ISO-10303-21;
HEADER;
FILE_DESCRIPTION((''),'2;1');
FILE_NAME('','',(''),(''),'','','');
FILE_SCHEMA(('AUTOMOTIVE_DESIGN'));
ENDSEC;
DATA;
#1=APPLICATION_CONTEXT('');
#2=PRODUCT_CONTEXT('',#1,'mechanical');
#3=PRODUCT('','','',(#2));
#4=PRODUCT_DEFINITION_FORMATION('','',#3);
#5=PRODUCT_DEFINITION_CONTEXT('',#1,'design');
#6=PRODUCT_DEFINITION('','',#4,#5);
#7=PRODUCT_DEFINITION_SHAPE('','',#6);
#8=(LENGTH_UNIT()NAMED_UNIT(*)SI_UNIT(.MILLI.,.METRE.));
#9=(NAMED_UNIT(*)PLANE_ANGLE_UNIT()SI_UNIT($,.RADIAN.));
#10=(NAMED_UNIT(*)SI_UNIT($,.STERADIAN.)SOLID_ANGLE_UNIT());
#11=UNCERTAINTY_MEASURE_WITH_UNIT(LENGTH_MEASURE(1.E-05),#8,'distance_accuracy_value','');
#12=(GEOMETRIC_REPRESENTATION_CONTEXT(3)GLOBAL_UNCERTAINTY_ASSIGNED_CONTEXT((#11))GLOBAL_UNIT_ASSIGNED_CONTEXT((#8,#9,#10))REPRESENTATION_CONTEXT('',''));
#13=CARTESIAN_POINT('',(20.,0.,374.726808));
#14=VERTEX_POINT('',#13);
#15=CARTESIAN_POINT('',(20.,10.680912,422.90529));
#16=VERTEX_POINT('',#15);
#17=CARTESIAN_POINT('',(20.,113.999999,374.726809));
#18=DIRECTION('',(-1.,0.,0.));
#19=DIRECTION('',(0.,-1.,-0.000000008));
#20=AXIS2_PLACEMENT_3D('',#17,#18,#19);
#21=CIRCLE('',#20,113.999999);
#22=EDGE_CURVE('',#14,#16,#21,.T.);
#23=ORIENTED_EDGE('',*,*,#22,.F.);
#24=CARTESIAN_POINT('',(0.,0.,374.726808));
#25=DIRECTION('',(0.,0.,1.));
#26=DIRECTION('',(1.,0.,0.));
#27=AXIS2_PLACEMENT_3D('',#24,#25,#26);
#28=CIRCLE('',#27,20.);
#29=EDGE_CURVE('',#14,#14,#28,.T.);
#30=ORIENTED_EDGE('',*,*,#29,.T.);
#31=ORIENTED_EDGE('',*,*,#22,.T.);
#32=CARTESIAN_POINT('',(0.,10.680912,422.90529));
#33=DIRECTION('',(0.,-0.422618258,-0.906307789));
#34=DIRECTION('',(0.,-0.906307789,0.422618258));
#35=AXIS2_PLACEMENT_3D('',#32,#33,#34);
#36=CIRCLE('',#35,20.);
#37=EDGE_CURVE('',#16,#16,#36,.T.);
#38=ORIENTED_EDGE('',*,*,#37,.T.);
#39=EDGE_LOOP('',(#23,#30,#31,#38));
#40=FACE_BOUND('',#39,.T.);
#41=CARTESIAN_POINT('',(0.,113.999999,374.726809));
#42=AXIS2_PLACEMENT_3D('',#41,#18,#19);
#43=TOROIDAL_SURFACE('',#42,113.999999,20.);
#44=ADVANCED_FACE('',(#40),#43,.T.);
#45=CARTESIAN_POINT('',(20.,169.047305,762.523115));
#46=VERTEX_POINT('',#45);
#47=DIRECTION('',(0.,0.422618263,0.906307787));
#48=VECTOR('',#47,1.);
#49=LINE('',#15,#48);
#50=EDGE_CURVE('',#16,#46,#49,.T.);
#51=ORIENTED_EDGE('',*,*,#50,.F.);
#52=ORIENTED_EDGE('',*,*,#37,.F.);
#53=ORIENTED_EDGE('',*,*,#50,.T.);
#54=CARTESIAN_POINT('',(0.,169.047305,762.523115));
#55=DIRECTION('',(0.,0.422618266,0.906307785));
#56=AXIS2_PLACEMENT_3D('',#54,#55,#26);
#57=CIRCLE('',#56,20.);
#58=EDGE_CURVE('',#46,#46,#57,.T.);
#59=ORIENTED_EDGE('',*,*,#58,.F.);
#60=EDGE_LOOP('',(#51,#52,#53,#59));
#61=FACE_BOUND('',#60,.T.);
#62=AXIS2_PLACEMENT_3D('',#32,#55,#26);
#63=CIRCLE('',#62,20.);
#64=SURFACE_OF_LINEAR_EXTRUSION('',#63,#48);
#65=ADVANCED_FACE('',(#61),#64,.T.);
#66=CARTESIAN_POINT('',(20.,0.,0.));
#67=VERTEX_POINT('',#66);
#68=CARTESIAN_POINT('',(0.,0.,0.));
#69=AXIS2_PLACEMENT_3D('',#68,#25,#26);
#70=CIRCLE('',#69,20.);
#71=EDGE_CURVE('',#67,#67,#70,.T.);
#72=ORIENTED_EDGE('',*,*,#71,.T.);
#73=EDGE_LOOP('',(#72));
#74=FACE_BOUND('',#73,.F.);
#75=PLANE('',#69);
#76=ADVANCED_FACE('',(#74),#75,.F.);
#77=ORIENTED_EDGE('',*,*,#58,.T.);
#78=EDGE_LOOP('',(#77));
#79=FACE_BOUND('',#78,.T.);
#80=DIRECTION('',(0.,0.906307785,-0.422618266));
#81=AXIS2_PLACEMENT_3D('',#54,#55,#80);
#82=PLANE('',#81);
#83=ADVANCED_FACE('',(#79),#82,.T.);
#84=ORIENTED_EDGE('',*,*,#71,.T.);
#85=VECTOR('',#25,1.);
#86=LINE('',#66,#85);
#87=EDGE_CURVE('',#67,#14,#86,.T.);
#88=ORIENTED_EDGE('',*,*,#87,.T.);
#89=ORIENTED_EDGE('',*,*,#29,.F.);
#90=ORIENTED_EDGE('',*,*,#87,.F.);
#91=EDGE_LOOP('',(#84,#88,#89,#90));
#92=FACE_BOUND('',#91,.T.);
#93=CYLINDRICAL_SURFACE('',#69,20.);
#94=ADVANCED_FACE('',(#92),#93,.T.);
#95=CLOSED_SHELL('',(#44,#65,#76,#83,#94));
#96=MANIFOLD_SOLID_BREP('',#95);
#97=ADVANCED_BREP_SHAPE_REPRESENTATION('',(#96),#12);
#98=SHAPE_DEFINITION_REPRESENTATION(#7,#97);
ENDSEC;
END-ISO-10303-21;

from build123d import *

# Parameters (mm, degrees)
F1_R = 20


with BuildPart() as f2:
    # F2: sweep along a path in F0
    with BuildLine(Plane.YZ) as f2_path:
        Line((0, 0), (0, 374.726808))
        ThreePointArc((0, 374.726808), (2.702255, 399.400924), (10.680912, 422.90529))
        Line((10.680912, 422.90529), (169.047305, 762.523115))
    # F1 (on Top) → F2 (sweep)
    with BuildSketch(Plane.XY):
        Circle(F1_R)
    sweep(path=f2_path.line)


solid = f2.part
